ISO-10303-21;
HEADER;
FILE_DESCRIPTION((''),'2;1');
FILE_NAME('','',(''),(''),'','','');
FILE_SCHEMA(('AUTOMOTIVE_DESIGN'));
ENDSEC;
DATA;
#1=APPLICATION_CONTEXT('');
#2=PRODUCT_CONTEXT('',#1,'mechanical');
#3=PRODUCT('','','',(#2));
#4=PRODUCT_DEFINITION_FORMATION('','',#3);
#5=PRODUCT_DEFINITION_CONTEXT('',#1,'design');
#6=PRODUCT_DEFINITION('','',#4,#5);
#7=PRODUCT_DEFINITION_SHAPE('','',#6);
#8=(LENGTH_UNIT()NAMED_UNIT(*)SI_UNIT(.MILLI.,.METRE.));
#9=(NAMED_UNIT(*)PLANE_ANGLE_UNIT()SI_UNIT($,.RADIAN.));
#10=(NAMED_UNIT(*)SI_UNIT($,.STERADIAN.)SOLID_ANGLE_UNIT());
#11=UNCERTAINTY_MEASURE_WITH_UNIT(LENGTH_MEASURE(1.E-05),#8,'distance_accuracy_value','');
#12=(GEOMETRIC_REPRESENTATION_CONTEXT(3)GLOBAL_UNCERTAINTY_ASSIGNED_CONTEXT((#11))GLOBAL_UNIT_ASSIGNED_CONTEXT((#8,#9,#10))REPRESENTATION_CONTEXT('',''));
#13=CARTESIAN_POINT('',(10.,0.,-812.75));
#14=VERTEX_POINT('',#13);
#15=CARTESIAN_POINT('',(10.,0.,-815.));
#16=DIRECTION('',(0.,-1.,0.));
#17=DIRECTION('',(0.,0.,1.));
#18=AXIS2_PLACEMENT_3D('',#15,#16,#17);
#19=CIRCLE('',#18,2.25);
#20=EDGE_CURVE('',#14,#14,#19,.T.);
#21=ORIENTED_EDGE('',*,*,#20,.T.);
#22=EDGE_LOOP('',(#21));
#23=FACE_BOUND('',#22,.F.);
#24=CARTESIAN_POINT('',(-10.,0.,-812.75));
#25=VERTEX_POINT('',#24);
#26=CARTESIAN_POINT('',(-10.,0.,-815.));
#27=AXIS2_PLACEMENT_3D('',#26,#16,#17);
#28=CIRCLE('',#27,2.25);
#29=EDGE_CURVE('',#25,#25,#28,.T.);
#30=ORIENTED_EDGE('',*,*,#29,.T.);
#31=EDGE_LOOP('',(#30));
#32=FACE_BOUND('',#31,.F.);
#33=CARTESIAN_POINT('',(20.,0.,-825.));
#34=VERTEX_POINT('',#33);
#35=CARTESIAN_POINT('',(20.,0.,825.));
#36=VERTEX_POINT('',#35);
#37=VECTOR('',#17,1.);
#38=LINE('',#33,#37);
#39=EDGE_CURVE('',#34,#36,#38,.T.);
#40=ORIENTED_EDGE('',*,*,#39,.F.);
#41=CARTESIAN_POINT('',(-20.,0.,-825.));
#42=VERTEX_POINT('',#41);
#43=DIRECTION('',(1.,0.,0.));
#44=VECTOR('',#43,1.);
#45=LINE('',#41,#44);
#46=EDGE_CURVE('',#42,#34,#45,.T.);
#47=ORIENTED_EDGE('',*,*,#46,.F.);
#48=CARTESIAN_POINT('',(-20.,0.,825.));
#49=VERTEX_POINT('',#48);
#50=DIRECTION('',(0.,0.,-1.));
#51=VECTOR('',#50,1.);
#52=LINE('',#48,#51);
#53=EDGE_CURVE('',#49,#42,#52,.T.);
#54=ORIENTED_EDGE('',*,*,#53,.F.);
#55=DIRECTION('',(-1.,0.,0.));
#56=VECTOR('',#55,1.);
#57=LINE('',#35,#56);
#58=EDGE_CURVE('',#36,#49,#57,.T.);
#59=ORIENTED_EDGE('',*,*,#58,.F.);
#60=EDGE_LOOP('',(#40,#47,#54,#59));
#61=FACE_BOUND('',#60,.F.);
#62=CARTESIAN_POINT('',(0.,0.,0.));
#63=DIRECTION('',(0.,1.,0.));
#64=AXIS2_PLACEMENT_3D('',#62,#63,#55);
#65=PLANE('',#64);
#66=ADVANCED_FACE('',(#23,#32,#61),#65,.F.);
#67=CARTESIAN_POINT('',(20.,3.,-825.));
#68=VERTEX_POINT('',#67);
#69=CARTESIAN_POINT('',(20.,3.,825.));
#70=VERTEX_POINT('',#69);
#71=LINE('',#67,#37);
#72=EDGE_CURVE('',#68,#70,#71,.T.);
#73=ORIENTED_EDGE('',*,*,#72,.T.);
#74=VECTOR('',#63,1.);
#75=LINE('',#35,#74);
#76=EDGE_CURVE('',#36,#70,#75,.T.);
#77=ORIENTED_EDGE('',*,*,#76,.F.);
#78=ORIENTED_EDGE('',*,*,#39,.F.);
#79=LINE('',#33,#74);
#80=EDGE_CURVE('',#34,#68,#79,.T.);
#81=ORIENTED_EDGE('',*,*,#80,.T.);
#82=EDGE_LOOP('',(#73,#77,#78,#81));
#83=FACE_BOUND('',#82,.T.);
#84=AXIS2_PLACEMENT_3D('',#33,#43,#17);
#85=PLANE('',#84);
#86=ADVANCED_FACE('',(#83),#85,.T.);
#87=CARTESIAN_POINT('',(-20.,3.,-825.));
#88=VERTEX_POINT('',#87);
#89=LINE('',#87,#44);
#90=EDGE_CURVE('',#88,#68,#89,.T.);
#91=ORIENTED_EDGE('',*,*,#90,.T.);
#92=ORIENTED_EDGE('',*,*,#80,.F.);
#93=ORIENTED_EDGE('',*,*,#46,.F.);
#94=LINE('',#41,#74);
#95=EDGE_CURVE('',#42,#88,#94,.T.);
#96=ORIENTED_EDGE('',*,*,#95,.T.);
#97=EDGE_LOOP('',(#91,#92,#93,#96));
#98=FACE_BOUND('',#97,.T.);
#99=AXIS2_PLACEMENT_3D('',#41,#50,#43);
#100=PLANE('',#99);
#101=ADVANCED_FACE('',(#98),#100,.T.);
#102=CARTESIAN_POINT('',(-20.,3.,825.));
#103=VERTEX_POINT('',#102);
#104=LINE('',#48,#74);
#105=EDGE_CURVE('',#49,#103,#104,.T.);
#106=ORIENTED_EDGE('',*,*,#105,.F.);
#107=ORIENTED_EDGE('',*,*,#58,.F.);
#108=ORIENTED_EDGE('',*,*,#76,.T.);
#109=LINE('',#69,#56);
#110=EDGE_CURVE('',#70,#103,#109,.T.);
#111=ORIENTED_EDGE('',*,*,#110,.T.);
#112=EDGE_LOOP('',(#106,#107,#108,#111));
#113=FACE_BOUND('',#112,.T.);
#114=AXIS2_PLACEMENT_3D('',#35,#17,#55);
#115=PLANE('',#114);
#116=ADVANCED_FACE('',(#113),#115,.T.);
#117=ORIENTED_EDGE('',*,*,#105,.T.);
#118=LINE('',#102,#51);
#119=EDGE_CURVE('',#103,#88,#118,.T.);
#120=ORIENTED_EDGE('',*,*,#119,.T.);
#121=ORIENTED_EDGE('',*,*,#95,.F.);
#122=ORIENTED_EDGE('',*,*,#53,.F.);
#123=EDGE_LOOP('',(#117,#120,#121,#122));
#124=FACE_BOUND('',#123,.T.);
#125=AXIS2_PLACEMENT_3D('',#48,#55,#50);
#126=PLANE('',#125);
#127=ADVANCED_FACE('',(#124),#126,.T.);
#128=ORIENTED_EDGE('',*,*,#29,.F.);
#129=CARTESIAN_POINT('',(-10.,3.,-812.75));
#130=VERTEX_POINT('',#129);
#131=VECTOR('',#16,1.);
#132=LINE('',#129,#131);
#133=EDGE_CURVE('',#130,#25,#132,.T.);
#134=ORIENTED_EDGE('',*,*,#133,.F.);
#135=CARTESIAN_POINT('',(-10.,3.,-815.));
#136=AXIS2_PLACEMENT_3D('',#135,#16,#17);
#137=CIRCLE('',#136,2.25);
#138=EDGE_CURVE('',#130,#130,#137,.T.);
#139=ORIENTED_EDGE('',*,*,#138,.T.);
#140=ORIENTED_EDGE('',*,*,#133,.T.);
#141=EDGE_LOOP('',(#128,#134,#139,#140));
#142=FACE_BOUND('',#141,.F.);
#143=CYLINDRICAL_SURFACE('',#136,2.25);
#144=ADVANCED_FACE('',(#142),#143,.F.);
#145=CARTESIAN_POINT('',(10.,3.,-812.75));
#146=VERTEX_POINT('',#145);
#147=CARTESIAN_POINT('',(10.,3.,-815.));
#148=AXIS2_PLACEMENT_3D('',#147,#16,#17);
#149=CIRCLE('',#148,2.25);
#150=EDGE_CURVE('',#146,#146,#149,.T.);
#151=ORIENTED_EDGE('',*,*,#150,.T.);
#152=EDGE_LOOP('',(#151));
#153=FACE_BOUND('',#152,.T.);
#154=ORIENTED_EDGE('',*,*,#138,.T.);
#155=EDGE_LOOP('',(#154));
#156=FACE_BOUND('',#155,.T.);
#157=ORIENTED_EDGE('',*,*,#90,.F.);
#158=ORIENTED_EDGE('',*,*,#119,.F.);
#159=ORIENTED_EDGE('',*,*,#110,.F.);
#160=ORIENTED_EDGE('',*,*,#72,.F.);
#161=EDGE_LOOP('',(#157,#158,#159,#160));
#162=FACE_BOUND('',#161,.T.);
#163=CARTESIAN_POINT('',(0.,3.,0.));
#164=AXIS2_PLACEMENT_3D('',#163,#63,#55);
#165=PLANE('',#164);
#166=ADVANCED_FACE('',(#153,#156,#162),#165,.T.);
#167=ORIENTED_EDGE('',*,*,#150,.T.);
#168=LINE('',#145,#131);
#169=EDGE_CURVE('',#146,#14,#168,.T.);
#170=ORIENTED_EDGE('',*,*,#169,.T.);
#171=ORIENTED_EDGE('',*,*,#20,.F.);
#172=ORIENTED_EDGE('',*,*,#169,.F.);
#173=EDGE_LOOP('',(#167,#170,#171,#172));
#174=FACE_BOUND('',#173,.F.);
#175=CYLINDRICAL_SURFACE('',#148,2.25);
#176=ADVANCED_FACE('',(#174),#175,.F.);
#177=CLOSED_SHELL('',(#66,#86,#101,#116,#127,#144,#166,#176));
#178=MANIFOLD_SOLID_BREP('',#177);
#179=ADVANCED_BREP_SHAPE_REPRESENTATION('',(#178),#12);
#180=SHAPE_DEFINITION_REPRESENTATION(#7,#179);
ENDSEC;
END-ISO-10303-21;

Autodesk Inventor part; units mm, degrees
ref_plane "YZ Plane" through (0, 0, 0) normal (1, 0, 0) x (0, 1, 0)
ref_plane "XZ Plane" through (0, 0, 0) normal (0, 1, 0) x (-1, 0, 0)
ref_plane "XY Plane" through (0, 0, 0) normal (0, 0, 1) x (1, 0, 0)
sketch "Sketch1" plane through (0, 0, 0) normal (0, 1, 0) x (-1, 0, 0)
  line L0 (-20, 825) -> (20, 825)
  line L1 (20, 825) -> (20, -825)
  line L2 (20, -825) -> (-20, -825)
  line L3 (-20, -825) -> (-20, 825)
  line L4 (-20, 825) -> (20, -825) construction
  line L5 (20, 825) -> (-20, -825) construction
  point P0 (0, 0)
  dimension "d0" = 40
  dimension "d1" = 1650
extrude "Extrusion1" add sketch "Sketch1" along normal blind 3
sketch "Sketch2" plane through (0, 3, 0) normal (0, 1, 0) x (1, 0, 0)
  line L0 (20, 825) -> (-20, 825) projected
  line L1 (0, 825) -> (0, 815)
  line L2 (0, 815) -> (-10, 815)
  point P0 (0, 0)
  point P1 (10, 815)
  point P2 (10, 815)
  dimension "d4" = 10
  dimension "d5" = 10
hole "Hole1" at (-10, 3, -815) at (10, 3, -815) direction (0, -1, 0) diameter 4.5 depth 8 clearance for "Countersunk Flat Head Screw ISO 2009/7046" size "M4" standard "ISO"
properties part number "SP54V1 Acrilico inferior" material "Polycarbonate, Clear"
